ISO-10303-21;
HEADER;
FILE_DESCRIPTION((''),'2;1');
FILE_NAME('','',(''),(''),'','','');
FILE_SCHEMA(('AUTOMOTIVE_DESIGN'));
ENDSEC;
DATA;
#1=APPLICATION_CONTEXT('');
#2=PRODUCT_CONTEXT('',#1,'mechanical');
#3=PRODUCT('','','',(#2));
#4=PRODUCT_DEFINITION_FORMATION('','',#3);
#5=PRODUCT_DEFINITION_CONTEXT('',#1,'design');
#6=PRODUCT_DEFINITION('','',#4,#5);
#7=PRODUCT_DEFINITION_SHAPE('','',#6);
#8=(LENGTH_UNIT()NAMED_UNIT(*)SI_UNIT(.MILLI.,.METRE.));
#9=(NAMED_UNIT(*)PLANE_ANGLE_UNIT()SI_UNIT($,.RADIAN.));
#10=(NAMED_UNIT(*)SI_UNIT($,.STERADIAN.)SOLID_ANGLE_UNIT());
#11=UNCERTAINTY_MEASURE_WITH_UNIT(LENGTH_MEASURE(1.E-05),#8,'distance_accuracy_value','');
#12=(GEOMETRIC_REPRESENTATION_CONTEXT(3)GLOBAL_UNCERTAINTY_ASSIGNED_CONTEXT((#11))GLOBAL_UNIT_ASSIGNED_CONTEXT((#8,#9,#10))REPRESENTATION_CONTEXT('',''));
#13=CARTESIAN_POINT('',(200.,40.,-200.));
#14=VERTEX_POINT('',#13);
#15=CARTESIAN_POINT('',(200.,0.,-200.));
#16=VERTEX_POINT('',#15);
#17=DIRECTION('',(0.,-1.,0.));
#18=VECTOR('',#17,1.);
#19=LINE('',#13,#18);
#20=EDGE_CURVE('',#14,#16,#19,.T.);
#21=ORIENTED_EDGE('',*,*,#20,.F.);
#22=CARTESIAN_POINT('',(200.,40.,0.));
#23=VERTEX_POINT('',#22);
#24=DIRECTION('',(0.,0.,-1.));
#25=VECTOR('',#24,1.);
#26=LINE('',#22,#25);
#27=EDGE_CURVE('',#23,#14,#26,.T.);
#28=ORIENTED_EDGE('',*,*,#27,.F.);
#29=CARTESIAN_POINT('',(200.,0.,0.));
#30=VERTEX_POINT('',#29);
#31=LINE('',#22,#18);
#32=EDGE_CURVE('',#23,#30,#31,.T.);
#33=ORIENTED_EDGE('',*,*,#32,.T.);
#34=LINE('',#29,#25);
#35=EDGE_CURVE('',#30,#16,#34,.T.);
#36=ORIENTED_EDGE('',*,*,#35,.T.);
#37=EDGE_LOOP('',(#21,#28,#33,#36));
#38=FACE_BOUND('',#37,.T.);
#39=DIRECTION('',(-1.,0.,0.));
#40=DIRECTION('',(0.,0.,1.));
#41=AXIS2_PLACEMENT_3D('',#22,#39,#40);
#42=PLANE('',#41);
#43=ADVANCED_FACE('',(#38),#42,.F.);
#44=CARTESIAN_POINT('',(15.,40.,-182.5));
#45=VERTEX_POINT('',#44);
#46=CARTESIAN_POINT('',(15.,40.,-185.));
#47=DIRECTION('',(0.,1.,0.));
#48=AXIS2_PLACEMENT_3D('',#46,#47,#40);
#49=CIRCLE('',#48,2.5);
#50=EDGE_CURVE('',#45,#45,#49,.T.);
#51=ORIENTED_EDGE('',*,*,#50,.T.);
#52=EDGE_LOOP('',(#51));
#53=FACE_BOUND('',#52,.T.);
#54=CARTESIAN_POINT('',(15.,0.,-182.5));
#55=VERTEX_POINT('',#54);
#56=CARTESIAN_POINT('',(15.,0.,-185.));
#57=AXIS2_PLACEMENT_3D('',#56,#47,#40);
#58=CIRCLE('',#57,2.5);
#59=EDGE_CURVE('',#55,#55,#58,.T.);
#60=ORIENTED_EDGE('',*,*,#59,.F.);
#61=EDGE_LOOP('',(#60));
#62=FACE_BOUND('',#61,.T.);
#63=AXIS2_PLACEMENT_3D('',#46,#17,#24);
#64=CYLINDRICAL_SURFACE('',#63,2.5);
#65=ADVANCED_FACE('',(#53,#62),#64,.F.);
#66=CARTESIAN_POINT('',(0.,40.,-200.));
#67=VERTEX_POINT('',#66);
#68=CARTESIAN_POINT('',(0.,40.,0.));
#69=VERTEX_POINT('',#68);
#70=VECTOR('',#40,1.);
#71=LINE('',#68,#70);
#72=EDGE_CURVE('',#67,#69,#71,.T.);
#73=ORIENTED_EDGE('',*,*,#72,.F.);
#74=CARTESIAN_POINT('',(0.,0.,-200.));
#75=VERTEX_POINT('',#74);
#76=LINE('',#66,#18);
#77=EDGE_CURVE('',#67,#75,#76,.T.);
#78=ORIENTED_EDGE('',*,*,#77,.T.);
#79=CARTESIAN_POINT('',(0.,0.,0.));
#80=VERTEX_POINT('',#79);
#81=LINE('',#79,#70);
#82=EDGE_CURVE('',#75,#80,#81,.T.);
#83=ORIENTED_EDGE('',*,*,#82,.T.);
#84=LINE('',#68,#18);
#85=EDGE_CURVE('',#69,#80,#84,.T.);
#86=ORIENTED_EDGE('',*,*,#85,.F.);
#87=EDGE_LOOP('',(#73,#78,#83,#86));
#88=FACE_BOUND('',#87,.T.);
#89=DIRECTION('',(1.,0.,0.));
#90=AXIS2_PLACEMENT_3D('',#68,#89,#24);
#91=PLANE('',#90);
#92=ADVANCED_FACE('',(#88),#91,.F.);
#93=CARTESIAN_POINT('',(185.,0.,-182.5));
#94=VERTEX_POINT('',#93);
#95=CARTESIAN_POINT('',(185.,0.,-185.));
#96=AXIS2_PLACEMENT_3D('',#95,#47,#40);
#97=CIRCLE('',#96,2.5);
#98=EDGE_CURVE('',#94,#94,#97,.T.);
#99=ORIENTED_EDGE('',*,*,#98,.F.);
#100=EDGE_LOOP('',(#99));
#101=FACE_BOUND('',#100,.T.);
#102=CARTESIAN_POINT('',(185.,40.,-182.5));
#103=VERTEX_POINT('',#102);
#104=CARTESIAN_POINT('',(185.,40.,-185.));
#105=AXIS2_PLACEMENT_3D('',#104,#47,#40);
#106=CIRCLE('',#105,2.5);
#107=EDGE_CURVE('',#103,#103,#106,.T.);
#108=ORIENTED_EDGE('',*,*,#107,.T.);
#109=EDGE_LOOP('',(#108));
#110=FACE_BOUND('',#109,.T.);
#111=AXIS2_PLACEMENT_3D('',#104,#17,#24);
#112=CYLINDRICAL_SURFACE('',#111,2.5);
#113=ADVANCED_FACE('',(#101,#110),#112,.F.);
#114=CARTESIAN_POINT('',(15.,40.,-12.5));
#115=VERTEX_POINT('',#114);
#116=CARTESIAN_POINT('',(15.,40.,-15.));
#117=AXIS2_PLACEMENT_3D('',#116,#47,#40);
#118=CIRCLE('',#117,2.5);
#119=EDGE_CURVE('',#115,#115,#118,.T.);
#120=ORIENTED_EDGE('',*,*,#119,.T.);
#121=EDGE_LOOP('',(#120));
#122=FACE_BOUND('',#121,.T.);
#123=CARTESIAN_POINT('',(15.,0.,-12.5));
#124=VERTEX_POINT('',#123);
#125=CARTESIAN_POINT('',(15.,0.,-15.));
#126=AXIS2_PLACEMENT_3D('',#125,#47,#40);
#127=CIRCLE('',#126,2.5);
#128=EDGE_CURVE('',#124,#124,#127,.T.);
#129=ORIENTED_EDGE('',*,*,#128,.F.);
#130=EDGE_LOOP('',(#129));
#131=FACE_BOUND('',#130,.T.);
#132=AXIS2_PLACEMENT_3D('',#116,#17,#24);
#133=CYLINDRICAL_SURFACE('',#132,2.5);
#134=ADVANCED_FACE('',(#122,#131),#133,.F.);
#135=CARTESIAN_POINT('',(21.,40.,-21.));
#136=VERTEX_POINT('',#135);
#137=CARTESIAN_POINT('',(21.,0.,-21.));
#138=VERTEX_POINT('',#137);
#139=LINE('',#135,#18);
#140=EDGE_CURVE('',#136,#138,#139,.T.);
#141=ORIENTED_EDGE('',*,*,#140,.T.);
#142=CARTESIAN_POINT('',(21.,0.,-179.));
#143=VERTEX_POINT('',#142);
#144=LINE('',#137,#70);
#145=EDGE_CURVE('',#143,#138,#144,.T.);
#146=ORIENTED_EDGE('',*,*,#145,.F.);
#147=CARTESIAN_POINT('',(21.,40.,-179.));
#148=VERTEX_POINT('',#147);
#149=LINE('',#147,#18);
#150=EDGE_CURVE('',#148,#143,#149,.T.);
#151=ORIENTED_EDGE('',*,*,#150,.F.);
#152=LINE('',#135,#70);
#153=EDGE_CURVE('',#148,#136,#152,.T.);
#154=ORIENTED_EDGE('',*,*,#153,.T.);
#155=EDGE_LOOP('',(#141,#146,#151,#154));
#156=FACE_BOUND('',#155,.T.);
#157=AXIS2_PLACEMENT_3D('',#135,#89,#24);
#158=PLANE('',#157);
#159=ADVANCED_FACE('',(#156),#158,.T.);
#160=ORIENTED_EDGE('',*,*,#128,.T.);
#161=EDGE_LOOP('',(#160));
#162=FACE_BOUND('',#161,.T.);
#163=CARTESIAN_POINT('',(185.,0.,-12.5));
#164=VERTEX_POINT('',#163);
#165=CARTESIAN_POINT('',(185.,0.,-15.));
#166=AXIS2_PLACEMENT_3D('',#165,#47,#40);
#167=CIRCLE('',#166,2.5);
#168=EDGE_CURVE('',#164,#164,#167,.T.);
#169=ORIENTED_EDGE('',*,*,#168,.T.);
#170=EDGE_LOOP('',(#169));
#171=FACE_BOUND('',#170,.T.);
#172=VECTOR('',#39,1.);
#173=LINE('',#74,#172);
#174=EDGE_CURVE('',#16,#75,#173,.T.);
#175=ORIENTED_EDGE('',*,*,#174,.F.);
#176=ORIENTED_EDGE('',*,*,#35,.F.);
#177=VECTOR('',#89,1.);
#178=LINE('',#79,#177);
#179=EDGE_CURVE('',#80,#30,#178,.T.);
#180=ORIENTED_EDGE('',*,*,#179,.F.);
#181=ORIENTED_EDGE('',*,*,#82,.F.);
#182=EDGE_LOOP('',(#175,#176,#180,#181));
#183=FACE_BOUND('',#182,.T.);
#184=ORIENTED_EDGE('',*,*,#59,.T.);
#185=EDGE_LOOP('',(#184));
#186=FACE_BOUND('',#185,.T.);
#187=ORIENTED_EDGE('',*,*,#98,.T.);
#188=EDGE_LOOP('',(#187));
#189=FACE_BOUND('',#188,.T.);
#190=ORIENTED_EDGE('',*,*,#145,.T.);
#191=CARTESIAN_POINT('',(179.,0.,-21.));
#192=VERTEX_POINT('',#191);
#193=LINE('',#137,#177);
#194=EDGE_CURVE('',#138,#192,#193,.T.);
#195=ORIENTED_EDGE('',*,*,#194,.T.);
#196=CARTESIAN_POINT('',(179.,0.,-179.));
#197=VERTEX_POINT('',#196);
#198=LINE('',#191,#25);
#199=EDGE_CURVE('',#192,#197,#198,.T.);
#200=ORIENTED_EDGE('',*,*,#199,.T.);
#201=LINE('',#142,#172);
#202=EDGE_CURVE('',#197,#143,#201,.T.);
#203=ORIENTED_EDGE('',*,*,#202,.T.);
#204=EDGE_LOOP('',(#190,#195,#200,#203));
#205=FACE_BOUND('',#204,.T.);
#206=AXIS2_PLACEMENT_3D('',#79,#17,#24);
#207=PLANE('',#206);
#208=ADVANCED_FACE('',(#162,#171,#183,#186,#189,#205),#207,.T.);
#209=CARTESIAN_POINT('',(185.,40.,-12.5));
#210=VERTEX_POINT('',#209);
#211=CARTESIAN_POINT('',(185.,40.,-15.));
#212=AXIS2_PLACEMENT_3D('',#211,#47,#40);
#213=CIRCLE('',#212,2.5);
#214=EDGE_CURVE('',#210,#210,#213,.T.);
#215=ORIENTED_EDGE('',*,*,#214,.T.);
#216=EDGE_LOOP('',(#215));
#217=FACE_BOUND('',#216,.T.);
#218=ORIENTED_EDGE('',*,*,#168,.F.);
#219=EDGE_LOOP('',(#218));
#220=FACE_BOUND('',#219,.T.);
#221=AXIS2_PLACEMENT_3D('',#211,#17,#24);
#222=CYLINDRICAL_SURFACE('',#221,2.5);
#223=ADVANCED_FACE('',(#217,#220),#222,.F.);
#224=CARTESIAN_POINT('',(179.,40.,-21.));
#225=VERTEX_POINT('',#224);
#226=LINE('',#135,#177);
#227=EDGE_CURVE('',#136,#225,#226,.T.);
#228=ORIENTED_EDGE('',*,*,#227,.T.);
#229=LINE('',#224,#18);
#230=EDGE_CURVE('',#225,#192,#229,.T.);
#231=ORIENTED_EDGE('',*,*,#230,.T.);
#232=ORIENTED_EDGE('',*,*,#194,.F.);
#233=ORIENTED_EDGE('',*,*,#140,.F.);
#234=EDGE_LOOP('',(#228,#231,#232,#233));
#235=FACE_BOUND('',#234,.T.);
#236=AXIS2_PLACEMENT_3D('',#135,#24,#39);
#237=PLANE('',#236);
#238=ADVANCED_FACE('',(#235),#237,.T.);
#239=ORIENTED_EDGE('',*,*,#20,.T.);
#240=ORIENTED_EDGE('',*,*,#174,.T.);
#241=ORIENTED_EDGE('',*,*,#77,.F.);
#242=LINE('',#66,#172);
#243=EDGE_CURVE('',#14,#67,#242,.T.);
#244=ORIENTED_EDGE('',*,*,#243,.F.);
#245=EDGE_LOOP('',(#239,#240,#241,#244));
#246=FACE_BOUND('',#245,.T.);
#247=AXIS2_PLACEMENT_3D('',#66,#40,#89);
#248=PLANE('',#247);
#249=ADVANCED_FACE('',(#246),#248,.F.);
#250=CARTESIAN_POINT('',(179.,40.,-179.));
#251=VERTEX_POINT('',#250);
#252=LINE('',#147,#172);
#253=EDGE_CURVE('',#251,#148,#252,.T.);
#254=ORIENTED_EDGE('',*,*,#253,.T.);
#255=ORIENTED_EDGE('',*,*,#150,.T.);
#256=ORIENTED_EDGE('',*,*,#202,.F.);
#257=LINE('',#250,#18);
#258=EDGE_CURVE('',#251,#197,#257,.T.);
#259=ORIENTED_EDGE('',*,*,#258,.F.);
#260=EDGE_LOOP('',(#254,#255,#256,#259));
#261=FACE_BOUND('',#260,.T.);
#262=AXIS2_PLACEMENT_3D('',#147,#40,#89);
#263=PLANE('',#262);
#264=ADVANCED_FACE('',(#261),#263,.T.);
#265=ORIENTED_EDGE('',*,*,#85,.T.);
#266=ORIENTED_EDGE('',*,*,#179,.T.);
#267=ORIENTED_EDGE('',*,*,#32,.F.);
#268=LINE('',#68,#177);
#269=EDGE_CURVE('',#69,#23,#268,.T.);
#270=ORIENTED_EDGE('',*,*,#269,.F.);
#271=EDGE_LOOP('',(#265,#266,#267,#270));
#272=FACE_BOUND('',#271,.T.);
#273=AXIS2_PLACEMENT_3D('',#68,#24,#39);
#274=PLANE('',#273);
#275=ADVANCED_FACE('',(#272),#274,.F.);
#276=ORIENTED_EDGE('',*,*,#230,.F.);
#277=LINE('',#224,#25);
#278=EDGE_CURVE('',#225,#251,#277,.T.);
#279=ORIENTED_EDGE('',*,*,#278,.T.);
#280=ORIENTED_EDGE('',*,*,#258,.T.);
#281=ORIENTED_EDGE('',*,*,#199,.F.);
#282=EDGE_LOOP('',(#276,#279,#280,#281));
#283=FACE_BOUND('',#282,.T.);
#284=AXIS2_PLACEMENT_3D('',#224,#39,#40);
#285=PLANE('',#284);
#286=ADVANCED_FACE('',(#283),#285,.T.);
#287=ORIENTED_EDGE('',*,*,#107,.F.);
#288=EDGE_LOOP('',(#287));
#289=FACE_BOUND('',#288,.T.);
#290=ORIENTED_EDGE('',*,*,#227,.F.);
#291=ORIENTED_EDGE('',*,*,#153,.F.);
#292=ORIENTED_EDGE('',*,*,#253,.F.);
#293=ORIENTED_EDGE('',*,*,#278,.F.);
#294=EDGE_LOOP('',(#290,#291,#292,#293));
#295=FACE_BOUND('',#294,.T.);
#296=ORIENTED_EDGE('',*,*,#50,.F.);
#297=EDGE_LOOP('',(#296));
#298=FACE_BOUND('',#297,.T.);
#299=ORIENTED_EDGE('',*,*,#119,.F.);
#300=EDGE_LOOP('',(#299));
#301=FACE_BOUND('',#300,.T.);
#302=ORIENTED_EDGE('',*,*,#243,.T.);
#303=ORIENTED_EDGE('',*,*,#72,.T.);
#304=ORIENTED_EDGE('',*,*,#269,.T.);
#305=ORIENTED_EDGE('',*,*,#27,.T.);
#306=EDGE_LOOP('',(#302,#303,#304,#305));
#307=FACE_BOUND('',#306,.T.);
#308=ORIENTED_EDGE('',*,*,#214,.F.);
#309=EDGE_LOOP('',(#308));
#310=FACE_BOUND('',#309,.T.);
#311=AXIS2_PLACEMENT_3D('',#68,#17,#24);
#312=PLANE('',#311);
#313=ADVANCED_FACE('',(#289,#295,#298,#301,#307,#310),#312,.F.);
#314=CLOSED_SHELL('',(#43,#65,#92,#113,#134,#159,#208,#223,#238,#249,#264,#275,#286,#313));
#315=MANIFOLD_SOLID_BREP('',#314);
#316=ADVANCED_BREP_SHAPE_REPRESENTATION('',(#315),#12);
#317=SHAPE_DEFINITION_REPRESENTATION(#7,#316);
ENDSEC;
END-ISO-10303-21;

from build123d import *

# Parameters (mm, degrees)
CROQUIS1_W              = 200
CROQUIS1_H              = 200
CROQUIS1_R              = 2.5
CROQUIS1_W_2            = 158
CROQUIS1_H_2            = 158
SALIENTE_EXTRUIR1_DEPTH = 40


with BuildPart() as part:
    # Croquis1 → Saliente-Extruir1 (new body)
    with BuildSketch(Plane(origin=(0, 0, 0), x_dir=(1, 0, 0), z_dir=(0, 1, 0))):
        with Locations((100, 100)):
            Rectangle(CROQUIS1_W, CROQUIS1_H)
        with Locations(Location((185, 185, 0), (0, 0, 270))):
            Circle(CROQUIS1_R, mode=Mode.SUBTRACT)
        with Locations(Location((185, 15, 0), (0, 0, 270))):
            Circle(CROQUIS1_R, mode=Mode.SUBTRACT)
        with Locations(Location((15, 15, 0), (0, 0, 270))):
            Circle(CROQUIS1_R, mode=Mode.SUBTRACT)
        with Locations(Location((15, 185, 0), (0, 0, 270))):
            Circle(CROQUIS1_R, mode=Mode.SUBTRACT)
        with Locations((100, 100)):
            Rectangle(CROQUIS1_W_2, CROQUIS1_H_2, mode=Mode.SUBTRACT)
    extrude(amount=SALIENTE_EXTRUIR1_DEPTH)


solid = part.part
